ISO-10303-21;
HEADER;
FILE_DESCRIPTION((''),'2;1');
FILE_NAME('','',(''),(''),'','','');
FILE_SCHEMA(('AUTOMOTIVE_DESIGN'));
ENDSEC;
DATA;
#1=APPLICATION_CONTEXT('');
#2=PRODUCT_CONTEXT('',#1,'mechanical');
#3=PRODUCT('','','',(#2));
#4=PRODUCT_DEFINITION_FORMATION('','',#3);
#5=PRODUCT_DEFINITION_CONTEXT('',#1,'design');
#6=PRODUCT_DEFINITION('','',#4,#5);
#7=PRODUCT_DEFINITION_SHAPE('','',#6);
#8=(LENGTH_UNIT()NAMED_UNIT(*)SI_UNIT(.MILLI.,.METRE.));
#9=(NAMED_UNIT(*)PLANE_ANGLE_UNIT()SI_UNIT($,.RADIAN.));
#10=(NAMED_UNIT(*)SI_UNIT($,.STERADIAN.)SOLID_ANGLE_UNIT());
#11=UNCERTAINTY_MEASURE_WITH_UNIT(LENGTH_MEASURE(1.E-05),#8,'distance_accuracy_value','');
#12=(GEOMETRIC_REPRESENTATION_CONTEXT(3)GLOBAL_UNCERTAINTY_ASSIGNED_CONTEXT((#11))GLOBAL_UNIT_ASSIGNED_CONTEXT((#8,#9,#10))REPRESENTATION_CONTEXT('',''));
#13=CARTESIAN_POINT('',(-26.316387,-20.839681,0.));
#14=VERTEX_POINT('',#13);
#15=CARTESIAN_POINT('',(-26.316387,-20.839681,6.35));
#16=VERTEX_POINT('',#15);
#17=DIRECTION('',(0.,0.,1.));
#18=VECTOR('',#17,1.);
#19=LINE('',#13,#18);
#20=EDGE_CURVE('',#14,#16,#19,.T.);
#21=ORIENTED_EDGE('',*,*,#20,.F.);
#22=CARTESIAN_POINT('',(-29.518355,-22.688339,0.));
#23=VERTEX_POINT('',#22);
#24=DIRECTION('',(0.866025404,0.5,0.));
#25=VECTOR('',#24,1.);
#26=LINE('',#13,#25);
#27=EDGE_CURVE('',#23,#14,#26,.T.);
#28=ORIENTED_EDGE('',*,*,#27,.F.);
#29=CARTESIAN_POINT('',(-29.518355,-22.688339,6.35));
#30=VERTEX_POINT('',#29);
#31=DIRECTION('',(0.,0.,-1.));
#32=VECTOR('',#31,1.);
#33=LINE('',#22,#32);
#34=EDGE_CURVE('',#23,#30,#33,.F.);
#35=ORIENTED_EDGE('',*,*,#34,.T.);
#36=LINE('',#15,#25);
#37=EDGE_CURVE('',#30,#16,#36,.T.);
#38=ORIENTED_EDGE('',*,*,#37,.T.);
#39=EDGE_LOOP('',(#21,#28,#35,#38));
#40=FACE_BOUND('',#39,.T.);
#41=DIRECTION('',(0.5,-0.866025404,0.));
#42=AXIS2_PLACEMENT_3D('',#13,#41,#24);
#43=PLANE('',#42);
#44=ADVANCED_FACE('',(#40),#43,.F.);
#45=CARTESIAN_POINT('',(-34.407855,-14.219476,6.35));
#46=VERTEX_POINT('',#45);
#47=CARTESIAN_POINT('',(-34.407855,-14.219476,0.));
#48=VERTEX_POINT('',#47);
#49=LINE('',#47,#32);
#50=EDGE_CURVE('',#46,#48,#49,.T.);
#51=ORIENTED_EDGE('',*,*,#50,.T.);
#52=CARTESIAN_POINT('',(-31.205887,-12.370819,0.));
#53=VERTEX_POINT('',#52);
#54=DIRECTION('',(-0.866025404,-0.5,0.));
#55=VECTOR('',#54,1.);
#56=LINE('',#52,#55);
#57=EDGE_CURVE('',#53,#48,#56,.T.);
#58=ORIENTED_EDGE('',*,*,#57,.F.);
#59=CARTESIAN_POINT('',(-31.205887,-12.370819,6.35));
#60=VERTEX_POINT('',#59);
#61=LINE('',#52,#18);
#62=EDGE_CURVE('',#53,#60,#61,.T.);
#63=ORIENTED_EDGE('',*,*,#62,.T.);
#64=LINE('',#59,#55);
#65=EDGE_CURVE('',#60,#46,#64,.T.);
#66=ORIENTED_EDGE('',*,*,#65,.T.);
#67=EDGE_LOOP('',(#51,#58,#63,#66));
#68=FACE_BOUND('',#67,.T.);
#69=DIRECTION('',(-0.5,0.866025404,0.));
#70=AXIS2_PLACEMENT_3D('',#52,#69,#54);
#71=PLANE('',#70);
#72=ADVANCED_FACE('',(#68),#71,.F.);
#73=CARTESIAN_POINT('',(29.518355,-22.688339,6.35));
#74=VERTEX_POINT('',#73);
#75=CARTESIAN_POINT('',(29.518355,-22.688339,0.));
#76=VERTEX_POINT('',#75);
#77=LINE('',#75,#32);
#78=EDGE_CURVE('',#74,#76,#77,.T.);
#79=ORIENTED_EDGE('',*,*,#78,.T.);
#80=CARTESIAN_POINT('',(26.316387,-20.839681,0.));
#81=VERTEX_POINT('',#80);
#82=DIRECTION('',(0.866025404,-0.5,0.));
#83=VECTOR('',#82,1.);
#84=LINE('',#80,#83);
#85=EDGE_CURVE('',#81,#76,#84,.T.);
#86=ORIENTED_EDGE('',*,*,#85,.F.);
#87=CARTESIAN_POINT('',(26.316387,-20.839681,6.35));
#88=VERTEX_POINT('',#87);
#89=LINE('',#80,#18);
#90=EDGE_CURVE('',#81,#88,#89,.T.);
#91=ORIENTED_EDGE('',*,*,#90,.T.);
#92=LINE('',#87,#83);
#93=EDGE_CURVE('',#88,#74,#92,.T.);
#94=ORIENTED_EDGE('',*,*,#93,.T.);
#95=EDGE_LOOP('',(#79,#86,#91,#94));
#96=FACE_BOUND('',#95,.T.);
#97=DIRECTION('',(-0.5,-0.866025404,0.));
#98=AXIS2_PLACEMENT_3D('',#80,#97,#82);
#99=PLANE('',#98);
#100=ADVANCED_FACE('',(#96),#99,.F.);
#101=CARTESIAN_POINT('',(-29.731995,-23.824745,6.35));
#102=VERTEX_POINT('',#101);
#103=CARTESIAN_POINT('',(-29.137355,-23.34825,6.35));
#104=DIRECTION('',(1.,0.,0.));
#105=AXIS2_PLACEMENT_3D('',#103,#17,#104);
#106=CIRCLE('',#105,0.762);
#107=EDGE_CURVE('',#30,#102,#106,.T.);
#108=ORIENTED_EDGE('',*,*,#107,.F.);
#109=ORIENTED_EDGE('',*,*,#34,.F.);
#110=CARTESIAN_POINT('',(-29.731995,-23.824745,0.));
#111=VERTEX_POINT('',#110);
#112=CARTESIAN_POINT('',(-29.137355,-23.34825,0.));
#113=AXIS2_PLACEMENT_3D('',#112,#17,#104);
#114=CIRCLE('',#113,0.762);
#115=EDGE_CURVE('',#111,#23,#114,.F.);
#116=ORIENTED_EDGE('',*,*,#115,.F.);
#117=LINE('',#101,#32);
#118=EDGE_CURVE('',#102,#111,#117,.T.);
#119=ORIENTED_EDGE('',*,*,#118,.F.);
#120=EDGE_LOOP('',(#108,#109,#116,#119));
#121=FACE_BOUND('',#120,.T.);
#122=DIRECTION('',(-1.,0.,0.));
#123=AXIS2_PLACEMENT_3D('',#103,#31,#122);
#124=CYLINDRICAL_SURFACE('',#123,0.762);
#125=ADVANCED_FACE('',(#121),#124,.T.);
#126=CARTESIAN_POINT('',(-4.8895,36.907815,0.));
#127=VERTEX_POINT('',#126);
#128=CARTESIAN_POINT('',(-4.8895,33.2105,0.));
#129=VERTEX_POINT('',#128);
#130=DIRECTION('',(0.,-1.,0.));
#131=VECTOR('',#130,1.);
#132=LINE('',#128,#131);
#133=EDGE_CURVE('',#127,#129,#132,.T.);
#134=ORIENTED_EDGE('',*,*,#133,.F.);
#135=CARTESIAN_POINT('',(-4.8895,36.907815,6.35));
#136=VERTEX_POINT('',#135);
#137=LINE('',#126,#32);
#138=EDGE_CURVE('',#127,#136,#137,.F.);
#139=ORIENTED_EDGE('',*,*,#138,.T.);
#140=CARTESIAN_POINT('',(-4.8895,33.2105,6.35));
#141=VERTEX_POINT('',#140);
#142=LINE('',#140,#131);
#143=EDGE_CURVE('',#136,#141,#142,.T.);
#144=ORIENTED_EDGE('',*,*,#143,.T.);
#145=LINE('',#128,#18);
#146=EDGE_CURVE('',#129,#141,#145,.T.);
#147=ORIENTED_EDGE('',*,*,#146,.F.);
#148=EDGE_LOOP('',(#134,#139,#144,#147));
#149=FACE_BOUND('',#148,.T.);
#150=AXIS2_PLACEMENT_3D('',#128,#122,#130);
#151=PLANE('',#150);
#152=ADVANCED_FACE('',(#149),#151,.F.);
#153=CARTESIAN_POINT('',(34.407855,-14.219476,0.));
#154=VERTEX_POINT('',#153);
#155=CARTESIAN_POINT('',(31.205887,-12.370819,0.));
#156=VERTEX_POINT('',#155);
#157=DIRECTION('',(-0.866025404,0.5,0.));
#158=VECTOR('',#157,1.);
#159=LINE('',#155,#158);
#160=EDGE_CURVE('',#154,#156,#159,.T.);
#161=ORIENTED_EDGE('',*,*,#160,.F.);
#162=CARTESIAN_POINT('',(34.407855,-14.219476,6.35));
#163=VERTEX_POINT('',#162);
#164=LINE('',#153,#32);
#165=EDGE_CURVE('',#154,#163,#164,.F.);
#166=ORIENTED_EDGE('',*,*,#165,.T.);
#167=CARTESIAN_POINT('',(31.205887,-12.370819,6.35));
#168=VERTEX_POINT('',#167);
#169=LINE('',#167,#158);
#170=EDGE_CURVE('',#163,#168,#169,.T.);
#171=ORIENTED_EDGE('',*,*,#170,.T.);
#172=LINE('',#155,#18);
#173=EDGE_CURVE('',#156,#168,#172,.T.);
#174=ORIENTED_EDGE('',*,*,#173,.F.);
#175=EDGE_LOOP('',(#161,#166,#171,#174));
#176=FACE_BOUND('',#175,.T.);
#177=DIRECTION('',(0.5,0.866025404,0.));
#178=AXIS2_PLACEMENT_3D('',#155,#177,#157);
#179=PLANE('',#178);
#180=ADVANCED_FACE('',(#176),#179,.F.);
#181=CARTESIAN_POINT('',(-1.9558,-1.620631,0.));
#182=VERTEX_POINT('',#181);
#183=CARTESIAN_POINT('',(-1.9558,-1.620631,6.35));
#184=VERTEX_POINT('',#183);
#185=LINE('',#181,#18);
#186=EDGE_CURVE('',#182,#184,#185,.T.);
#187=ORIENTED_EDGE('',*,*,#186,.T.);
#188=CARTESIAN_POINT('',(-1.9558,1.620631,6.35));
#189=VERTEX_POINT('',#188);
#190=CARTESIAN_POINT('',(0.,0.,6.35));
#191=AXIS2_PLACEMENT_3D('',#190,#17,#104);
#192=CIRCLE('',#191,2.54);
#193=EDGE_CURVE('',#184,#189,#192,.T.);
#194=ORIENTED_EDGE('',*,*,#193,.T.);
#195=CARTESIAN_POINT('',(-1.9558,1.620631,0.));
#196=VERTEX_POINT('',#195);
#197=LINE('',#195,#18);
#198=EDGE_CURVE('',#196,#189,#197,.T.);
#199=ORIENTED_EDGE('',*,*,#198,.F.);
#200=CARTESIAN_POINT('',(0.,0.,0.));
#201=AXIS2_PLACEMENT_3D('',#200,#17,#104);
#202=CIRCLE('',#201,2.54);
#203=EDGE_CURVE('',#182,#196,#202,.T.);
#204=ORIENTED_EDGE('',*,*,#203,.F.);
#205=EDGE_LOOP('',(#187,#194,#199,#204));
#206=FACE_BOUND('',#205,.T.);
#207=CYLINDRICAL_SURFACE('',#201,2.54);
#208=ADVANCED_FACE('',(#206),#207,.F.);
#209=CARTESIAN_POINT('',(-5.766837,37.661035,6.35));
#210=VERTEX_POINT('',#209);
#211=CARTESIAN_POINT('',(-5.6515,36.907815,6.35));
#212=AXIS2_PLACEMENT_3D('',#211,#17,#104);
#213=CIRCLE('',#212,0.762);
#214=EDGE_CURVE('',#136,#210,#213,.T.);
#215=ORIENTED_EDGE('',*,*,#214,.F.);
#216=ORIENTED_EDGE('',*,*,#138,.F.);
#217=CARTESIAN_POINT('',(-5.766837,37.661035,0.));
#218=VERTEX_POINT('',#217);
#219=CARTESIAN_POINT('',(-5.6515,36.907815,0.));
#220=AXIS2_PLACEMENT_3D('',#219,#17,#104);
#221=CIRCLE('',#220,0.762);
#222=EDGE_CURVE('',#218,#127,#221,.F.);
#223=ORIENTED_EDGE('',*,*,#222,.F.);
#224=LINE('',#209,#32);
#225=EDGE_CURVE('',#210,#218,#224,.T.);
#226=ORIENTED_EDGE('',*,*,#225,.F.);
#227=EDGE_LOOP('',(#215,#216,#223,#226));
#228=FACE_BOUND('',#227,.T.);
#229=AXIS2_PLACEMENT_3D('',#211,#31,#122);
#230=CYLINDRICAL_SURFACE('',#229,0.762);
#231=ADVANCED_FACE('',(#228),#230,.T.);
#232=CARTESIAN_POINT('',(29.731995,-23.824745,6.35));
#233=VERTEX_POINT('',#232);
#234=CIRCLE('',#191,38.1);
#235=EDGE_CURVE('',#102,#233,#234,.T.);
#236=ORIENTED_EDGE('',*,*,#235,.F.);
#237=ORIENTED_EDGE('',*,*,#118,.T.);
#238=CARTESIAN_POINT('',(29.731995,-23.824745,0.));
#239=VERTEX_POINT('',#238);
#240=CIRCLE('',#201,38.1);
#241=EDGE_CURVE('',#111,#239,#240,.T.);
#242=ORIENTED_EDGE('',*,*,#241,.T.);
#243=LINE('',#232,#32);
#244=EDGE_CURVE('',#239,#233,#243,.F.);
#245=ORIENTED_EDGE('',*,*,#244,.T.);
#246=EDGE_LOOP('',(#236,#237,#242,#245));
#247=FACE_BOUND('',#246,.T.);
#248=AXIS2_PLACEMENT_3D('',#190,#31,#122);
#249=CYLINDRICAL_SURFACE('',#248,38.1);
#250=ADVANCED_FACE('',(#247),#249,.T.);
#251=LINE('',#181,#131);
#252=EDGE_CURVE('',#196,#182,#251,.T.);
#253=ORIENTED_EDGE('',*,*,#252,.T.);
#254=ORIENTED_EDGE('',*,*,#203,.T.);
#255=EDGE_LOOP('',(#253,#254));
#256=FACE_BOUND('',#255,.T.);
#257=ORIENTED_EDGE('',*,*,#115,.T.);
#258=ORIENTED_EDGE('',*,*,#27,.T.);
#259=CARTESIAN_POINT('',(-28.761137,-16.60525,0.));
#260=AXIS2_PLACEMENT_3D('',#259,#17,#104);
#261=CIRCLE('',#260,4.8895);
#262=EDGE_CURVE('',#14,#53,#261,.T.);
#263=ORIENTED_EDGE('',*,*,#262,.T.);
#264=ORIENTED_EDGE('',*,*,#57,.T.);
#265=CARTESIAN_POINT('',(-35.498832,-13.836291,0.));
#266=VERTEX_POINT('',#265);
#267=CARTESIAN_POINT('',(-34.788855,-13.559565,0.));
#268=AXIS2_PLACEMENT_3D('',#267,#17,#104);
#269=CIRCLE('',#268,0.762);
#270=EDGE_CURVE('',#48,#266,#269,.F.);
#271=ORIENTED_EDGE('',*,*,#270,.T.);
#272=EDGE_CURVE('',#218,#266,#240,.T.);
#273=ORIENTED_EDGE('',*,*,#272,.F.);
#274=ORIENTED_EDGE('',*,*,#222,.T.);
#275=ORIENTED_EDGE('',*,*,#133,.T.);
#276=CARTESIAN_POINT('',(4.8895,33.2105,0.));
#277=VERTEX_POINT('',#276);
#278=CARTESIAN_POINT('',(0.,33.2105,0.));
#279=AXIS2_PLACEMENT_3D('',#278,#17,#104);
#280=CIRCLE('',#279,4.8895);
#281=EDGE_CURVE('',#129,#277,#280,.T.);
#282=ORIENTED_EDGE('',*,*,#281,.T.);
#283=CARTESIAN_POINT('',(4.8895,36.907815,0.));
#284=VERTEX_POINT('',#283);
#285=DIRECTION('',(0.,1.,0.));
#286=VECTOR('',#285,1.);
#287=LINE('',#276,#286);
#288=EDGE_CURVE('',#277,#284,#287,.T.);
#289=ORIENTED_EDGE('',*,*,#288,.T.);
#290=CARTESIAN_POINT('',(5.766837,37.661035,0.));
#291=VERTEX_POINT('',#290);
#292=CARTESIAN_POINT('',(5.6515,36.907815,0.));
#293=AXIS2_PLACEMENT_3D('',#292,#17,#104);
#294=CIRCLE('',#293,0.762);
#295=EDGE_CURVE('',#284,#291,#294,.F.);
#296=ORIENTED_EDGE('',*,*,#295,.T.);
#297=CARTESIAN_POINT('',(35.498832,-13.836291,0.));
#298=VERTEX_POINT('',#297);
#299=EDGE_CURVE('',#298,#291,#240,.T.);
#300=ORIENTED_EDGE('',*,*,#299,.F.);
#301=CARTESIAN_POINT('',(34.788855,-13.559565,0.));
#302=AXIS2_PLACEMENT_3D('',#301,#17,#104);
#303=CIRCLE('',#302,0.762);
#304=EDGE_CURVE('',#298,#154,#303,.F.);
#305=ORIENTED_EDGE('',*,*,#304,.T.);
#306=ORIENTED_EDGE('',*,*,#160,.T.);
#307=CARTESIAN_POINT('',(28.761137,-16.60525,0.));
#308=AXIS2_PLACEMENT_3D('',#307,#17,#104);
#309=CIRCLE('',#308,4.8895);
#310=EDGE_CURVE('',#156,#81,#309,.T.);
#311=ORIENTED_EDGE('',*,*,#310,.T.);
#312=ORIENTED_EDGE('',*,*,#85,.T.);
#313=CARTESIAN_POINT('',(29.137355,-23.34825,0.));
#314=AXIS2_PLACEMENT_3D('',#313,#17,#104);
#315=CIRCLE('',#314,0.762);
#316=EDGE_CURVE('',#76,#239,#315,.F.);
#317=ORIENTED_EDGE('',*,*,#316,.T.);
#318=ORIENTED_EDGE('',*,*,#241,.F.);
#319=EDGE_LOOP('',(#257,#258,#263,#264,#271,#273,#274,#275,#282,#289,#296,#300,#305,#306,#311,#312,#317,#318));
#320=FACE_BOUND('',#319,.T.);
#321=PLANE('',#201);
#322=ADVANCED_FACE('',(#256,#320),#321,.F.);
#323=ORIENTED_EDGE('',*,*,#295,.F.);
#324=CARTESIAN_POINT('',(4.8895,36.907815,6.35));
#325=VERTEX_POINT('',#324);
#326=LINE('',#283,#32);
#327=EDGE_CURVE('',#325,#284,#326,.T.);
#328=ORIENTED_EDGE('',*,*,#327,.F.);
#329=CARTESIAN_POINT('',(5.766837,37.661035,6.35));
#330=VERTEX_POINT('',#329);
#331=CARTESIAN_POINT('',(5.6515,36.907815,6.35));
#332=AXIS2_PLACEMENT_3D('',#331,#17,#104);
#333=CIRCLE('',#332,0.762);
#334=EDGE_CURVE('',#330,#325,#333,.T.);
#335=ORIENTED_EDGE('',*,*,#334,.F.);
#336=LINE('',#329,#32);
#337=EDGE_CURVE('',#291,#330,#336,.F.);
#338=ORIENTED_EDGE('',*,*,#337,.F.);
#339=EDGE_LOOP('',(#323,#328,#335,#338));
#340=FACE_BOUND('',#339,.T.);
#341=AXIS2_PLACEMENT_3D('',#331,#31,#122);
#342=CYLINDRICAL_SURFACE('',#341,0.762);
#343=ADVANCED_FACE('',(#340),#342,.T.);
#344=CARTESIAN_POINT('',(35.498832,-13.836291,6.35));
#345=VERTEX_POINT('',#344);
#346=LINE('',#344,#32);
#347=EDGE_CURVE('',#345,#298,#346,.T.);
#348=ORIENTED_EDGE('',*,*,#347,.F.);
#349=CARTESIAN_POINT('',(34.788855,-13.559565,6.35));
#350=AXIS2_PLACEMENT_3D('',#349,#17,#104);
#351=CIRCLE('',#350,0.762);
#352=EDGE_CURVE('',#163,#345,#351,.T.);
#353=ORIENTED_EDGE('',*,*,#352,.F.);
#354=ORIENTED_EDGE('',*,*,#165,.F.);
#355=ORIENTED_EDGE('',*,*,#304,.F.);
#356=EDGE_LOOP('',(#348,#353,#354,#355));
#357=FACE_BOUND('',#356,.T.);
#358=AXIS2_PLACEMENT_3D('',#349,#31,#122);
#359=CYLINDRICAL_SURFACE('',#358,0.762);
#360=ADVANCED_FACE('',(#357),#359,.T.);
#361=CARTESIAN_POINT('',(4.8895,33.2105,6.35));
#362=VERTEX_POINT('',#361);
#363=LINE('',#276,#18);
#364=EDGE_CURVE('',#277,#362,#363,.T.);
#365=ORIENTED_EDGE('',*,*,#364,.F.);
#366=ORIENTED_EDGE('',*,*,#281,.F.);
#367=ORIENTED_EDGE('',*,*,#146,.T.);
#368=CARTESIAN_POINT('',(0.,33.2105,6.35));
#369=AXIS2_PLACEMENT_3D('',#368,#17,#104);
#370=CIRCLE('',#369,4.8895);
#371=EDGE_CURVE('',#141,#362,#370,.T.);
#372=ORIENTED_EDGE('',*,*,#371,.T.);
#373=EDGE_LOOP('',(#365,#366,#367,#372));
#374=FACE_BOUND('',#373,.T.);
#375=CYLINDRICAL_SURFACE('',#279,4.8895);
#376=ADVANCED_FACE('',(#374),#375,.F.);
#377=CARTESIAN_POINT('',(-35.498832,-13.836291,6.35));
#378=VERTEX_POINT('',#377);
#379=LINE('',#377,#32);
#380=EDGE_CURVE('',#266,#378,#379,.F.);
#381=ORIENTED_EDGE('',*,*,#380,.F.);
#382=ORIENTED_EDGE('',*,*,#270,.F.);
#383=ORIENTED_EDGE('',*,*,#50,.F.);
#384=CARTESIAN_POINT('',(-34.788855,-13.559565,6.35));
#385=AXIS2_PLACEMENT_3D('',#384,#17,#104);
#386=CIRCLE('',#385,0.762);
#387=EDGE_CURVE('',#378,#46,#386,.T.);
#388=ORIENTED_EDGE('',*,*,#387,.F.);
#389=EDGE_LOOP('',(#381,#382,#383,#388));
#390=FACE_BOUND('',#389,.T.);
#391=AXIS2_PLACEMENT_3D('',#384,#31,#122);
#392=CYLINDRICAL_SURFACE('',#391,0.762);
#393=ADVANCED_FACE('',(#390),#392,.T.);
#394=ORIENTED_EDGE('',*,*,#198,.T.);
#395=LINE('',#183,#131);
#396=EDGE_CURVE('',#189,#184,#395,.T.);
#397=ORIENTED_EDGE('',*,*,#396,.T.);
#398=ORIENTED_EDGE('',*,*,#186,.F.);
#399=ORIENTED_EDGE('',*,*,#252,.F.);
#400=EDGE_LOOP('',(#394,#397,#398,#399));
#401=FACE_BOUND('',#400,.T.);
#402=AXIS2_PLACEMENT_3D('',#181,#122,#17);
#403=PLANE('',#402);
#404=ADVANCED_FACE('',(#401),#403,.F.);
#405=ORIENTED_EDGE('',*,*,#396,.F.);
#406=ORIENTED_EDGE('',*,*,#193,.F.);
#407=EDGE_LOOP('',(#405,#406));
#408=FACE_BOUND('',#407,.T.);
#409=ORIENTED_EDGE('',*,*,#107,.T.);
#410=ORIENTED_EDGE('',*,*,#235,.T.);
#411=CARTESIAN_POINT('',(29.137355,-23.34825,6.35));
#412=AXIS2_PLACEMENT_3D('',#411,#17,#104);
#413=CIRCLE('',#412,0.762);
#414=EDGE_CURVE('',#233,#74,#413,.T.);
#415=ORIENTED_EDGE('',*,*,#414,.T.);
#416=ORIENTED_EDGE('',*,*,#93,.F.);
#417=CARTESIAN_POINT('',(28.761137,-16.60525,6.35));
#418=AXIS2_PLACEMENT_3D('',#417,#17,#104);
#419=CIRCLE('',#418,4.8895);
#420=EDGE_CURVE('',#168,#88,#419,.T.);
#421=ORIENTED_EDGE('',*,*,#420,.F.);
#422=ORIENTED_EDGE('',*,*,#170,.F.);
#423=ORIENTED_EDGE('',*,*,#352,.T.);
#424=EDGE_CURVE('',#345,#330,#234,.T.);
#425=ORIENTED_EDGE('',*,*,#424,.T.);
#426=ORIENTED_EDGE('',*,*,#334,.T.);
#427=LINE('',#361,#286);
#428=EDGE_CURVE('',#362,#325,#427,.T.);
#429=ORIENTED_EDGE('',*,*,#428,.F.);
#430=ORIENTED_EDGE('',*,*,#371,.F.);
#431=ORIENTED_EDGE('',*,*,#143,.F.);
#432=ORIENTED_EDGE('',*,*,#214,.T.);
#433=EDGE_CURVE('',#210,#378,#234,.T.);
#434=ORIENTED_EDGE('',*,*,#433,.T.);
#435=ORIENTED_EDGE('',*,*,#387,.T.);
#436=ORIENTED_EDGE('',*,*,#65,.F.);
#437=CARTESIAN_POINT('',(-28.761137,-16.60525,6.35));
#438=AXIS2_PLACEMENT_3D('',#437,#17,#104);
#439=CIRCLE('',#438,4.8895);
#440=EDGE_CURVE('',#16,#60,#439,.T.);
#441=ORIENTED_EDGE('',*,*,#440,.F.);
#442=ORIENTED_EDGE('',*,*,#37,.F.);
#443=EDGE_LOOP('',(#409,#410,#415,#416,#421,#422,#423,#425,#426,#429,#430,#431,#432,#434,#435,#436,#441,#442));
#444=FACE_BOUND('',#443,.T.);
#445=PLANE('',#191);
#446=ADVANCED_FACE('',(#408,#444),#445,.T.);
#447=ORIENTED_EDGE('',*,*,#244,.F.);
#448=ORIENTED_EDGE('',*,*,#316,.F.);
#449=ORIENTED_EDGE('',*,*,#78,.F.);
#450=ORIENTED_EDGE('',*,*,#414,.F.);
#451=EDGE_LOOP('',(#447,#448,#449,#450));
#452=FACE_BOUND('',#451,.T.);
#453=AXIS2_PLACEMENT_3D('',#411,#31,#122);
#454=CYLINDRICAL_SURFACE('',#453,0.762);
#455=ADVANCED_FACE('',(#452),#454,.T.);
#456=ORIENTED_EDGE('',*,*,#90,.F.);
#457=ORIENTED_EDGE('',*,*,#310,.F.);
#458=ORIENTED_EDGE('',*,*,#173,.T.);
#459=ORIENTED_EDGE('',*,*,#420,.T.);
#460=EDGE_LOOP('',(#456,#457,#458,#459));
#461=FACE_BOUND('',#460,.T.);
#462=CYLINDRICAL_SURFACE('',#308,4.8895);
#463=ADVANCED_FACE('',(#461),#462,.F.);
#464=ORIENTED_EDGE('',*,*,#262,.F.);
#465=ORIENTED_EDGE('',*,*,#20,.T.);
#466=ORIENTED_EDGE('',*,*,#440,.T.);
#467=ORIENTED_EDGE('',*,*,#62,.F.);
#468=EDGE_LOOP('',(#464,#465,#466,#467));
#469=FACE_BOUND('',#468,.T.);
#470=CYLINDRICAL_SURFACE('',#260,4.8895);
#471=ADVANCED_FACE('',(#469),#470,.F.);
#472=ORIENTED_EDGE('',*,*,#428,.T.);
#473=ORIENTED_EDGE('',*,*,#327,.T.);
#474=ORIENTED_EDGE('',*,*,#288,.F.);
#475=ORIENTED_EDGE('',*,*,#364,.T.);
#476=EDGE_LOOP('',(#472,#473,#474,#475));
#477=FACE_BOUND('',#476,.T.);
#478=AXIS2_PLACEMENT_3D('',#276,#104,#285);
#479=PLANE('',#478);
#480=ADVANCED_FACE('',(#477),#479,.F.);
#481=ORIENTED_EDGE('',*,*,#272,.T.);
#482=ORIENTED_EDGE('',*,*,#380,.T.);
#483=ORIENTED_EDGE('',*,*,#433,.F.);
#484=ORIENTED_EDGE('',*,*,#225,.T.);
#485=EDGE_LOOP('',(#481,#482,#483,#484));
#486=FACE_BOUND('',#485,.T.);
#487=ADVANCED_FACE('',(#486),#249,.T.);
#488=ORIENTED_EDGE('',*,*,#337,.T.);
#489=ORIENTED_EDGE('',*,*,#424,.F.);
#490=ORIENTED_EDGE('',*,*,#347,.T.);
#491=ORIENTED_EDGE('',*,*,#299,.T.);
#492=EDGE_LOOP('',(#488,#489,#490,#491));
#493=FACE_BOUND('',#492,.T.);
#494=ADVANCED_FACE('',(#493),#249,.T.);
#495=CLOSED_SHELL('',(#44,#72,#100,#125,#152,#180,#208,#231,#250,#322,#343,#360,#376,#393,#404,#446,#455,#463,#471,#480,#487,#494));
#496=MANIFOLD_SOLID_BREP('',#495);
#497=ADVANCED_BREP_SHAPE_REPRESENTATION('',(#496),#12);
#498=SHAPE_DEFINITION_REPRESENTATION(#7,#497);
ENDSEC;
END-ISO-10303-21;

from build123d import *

# Parameters (mm, degrees)
SKETCH1_R           = 38.1
BOSS_EXTRUDE1_DEPTH = 6.35
CUT_EXTRUDE1_DEPTH  = 7.35
FILLET1_R           = 0.762
CUT_EXTRUDE3_DEPTH  = 7.35


with BuildPart() as part:
    # Sketch1 → Boss-Extrude1 (new body)
    with BuildSketch(Plane.XY):
        Circle(SKETCH1_R)
    extrude(amount=BOSS_EXTRUDE1_DEPTH)

    # Sketch2 → Cut-Extrude1 (cut, through all)
    with BuildSketch(Plane.XY.offset(6.35)):
        with BuildLine():
            Line((-4.8895, 33.2105), (-4.8895, 37.784954542))
            ThreePointArc((-4.8895, 37.784954542), (0, 38.1), (4.8895, 37.784954542))
            Line((4.8895, 37.784954542), (4.8895, 33.2105))
            ThreePointArc((4.8895, 33.2105), (0, 28.321), (-4.8895, 33.2105))
        make_face()
        with BuildLine():
            Line((31.205886672, -12.370818788), (35.167480514, -14.658046059))
            ThreePointArc((35.167480514, -14.658046059), (32.995567884, -19.05), (30.277980514, -23.126908483))
            Line((30.277980514, -23.126908483), (26.316386672, -20.839681212))
            ThreePointArc((26.316386672, -20.839681212), (24.526705461, -14.1605), (31.205886672, -12.370818788))
        make_face()
        with BuildLine():
            Line((-26.316386672, -20.839681212), (-30.277980514, -23.126908483))
            ThreePointArc((-30.277980514, -23.126908483), (-32.995567884, -19.05), (-35.167480514, -14.658046059))
            Line((-35.167480514, -14.658046059), (-31.205886672, -12.370818788))
            ThreePointArc((-31.205886672, -12.370818788), (-24.526705461, -14.1605), (-26.316386672, -20.839681212))
        make_face()
    extrude(amount=-CUT_EXTRUDE1_DEPTH, mode=Mode.SUBTRACT)

    # Fillet1
    fillet1_edges = [part.edges().sort_by_distance(p)[0] for p in [
        (-4.8895, 37.784954542, 3.175),
        (4.8895, 37.784954542, 3.175),
        (35.167480514, -14.658046059, 3.175),
        (30.277980514, -23.126908483, 3.175),
        (-30.277980514, -23.126908483, 3.175),
        (-35.167480514, -14.658046059, 3.175),
    ]]
    fillet(fillet1_edges, radius=FILLET1_R)

    # Sketch4 → Cut-Extrude3 (cut, through all)
    with BuildSketch(Plane.XY.offset(6.35)):
        with BuildLine():
            Line((-1.9558, -1.62063147), (-1.9558, 1.62063147))
            ThreePointArc((-1.9558, 1.62063147), (2.54, 0), (-1.9558, -1.62063147))
        make_face()
    extrude(amount=-CUT_EXTRUDE3_DEPTH, mode=Mode.SUBTRACT)


solid = part.part
